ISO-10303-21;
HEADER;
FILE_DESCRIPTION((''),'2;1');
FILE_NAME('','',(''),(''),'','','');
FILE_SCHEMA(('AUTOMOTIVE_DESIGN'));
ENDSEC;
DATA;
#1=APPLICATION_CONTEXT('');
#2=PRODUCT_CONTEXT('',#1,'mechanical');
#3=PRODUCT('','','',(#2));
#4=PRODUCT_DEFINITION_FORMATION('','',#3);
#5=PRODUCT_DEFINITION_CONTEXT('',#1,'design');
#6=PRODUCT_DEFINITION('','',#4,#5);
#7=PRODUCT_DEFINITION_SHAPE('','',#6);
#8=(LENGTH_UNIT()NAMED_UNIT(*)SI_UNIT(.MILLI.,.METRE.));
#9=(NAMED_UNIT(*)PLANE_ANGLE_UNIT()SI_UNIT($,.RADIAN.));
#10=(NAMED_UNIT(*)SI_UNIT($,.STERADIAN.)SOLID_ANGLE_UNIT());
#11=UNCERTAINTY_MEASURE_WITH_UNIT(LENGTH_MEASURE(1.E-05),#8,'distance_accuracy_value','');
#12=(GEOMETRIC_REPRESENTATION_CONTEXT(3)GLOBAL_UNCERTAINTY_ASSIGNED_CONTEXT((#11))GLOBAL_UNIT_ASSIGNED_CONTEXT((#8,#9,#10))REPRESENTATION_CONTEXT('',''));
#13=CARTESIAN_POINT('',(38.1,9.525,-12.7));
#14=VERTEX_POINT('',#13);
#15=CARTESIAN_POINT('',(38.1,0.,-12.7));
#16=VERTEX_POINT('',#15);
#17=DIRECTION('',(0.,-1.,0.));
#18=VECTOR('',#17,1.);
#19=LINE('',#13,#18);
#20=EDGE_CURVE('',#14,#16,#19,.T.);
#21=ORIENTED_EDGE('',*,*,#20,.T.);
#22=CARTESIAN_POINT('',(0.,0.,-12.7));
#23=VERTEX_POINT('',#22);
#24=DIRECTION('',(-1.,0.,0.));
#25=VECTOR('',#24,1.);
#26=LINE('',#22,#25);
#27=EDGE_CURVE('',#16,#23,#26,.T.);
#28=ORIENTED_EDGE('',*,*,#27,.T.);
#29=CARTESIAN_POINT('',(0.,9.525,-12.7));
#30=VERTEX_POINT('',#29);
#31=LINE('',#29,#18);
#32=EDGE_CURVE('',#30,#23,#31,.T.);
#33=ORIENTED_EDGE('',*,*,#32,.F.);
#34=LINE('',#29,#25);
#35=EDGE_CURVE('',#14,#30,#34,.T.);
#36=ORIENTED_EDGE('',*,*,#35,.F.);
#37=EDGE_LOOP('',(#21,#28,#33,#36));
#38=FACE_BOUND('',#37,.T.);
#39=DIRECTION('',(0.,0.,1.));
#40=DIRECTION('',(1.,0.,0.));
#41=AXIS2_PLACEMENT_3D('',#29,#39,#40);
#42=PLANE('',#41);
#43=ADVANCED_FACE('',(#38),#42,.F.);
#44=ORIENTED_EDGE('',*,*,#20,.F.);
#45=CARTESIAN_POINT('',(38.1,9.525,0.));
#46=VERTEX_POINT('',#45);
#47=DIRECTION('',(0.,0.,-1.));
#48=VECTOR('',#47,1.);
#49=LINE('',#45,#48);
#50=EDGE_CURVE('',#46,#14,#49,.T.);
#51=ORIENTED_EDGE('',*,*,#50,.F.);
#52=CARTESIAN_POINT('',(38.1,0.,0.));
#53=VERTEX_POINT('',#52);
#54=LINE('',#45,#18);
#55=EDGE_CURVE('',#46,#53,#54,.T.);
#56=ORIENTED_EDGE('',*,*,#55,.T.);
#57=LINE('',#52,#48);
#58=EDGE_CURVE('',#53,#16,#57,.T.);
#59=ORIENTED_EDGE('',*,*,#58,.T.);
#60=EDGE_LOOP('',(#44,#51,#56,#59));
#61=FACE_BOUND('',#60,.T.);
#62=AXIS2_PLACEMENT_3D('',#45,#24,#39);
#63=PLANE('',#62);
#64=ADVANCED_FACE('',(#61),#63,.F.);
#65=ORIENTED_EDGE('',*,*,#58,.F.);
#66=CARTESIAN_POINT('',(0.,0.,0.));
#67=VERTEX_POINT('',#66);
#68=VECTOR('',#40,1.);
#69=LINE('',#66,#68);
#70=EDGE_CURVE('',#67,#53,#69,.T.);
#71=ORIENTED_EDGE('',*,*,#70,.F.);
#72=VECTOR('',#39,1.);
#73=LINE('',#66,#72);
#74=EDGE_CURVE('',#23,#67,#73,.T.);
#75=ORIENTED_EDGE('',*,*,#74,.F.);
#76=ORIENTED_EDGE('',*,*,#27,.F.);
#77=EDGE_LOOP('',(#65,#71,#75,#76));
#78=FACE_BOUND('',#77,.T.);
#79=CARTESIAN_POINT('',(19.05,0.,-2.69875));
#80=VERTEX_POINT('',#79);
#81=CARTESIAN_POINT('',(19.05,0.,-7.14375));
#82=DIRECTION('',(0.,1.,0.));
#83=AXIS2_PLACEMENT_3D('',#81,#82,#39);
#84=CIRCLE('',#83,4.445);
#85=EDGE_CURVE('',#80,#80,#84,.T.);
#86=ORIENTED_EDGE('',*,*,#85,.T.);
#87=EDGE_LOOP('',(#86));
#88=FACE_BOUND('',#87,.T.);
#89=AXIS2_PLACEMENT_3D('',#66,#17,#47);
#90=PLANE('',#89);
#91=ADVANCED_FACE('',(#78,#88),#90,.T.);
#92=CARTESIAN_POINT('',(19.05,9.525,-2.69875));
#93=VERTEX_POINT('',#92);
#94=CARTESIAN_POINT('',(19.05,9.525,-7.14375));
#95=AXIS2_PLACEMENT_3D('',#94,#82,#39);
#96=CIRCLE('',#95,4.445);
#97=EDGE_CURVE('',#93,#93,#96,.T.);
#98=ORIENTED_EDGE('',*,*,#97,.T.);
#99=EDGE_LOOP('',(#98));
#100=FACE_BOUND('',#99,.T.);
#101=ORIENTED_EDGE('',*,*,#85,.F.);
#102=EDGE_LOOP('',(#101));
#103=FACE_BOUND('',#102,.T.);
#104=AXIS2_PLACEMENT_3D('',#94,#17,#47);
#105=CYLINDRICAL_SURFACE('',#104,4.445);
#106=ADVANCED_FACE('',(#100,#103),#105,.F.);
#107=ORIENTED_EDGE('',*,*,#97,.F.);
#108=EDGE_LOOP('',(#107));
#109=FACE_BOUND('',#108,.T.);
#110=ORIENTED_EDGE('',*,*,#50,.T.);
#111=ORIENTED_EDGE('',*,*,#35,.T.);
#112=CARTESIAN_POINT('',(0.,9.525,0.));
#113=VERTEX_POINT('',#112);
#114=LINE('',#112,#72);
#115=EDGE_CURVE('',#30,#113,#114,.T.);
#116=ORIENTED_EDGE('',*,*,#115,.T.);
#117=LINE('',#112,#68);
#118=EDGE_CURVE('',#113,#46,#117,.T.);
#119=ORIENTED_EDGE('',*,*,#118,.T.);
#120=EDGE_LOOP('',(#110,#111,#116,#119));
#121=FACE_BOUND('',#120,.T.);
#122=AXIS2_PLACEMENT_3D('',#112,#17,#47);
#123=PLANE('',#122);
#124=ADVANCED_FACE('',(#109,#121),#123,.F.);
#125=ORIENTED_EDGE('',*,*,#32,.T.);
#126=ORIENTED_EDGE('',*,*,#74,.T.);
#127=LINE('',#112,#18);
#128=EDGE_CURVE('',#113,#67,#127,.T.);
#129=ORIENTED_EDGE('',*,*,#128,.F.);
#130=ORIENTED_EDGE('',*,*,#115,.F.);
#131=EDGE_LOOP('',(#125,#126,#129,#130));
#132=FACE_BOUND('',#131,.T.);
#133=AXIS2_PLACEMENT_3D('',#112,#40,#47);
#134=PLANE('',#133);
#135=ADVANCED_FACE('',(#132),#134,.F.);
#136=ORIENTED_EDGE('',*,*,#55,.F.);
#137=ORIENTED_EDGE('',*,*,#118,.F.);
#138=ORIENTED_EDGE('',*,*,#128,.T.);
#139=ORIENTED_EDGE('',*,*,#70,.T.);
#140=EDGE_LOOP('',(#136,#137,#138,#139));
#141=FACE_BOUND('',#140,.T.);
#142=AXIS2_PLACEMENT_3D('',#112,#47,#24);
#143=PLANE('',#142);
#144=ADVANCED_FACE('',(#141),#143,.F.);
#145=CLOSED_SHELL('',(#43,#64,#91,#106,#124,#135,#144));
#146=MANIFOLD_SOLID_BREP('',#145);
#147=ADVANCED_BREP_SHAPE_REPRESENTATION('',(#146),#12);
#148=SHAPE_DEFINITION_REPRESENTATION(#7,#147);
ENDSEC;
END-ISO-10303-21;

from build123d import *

# Parameters (mm, degrees)
SKETCH1_W           = 38.1
SKETCH1_H           = 12.7
SKETCH1_R           = 4.445
BOSS_EXTRUDE1_DEPTH = 9.525


with BuildPart() as part:
    # Sketch1 → Boss-Extrude1 (new body)
    with BuildSketch(Plane(origin=(0, 0, 0), x_dir=(1, 0, 0), z_dir=(0, 1, 0))):
        with Locations((19.05, 6.35)):
            Rectangle(SKETCH1_W, SKETCH1_H)
        with Locations((19.05, 7.14375)):
            Circle(SKETCH1_R, mode=Mode.SUBTRACT)
    extrude(amount=BOSS_EXTRUDE1_DEPTH)


solid = part.part
